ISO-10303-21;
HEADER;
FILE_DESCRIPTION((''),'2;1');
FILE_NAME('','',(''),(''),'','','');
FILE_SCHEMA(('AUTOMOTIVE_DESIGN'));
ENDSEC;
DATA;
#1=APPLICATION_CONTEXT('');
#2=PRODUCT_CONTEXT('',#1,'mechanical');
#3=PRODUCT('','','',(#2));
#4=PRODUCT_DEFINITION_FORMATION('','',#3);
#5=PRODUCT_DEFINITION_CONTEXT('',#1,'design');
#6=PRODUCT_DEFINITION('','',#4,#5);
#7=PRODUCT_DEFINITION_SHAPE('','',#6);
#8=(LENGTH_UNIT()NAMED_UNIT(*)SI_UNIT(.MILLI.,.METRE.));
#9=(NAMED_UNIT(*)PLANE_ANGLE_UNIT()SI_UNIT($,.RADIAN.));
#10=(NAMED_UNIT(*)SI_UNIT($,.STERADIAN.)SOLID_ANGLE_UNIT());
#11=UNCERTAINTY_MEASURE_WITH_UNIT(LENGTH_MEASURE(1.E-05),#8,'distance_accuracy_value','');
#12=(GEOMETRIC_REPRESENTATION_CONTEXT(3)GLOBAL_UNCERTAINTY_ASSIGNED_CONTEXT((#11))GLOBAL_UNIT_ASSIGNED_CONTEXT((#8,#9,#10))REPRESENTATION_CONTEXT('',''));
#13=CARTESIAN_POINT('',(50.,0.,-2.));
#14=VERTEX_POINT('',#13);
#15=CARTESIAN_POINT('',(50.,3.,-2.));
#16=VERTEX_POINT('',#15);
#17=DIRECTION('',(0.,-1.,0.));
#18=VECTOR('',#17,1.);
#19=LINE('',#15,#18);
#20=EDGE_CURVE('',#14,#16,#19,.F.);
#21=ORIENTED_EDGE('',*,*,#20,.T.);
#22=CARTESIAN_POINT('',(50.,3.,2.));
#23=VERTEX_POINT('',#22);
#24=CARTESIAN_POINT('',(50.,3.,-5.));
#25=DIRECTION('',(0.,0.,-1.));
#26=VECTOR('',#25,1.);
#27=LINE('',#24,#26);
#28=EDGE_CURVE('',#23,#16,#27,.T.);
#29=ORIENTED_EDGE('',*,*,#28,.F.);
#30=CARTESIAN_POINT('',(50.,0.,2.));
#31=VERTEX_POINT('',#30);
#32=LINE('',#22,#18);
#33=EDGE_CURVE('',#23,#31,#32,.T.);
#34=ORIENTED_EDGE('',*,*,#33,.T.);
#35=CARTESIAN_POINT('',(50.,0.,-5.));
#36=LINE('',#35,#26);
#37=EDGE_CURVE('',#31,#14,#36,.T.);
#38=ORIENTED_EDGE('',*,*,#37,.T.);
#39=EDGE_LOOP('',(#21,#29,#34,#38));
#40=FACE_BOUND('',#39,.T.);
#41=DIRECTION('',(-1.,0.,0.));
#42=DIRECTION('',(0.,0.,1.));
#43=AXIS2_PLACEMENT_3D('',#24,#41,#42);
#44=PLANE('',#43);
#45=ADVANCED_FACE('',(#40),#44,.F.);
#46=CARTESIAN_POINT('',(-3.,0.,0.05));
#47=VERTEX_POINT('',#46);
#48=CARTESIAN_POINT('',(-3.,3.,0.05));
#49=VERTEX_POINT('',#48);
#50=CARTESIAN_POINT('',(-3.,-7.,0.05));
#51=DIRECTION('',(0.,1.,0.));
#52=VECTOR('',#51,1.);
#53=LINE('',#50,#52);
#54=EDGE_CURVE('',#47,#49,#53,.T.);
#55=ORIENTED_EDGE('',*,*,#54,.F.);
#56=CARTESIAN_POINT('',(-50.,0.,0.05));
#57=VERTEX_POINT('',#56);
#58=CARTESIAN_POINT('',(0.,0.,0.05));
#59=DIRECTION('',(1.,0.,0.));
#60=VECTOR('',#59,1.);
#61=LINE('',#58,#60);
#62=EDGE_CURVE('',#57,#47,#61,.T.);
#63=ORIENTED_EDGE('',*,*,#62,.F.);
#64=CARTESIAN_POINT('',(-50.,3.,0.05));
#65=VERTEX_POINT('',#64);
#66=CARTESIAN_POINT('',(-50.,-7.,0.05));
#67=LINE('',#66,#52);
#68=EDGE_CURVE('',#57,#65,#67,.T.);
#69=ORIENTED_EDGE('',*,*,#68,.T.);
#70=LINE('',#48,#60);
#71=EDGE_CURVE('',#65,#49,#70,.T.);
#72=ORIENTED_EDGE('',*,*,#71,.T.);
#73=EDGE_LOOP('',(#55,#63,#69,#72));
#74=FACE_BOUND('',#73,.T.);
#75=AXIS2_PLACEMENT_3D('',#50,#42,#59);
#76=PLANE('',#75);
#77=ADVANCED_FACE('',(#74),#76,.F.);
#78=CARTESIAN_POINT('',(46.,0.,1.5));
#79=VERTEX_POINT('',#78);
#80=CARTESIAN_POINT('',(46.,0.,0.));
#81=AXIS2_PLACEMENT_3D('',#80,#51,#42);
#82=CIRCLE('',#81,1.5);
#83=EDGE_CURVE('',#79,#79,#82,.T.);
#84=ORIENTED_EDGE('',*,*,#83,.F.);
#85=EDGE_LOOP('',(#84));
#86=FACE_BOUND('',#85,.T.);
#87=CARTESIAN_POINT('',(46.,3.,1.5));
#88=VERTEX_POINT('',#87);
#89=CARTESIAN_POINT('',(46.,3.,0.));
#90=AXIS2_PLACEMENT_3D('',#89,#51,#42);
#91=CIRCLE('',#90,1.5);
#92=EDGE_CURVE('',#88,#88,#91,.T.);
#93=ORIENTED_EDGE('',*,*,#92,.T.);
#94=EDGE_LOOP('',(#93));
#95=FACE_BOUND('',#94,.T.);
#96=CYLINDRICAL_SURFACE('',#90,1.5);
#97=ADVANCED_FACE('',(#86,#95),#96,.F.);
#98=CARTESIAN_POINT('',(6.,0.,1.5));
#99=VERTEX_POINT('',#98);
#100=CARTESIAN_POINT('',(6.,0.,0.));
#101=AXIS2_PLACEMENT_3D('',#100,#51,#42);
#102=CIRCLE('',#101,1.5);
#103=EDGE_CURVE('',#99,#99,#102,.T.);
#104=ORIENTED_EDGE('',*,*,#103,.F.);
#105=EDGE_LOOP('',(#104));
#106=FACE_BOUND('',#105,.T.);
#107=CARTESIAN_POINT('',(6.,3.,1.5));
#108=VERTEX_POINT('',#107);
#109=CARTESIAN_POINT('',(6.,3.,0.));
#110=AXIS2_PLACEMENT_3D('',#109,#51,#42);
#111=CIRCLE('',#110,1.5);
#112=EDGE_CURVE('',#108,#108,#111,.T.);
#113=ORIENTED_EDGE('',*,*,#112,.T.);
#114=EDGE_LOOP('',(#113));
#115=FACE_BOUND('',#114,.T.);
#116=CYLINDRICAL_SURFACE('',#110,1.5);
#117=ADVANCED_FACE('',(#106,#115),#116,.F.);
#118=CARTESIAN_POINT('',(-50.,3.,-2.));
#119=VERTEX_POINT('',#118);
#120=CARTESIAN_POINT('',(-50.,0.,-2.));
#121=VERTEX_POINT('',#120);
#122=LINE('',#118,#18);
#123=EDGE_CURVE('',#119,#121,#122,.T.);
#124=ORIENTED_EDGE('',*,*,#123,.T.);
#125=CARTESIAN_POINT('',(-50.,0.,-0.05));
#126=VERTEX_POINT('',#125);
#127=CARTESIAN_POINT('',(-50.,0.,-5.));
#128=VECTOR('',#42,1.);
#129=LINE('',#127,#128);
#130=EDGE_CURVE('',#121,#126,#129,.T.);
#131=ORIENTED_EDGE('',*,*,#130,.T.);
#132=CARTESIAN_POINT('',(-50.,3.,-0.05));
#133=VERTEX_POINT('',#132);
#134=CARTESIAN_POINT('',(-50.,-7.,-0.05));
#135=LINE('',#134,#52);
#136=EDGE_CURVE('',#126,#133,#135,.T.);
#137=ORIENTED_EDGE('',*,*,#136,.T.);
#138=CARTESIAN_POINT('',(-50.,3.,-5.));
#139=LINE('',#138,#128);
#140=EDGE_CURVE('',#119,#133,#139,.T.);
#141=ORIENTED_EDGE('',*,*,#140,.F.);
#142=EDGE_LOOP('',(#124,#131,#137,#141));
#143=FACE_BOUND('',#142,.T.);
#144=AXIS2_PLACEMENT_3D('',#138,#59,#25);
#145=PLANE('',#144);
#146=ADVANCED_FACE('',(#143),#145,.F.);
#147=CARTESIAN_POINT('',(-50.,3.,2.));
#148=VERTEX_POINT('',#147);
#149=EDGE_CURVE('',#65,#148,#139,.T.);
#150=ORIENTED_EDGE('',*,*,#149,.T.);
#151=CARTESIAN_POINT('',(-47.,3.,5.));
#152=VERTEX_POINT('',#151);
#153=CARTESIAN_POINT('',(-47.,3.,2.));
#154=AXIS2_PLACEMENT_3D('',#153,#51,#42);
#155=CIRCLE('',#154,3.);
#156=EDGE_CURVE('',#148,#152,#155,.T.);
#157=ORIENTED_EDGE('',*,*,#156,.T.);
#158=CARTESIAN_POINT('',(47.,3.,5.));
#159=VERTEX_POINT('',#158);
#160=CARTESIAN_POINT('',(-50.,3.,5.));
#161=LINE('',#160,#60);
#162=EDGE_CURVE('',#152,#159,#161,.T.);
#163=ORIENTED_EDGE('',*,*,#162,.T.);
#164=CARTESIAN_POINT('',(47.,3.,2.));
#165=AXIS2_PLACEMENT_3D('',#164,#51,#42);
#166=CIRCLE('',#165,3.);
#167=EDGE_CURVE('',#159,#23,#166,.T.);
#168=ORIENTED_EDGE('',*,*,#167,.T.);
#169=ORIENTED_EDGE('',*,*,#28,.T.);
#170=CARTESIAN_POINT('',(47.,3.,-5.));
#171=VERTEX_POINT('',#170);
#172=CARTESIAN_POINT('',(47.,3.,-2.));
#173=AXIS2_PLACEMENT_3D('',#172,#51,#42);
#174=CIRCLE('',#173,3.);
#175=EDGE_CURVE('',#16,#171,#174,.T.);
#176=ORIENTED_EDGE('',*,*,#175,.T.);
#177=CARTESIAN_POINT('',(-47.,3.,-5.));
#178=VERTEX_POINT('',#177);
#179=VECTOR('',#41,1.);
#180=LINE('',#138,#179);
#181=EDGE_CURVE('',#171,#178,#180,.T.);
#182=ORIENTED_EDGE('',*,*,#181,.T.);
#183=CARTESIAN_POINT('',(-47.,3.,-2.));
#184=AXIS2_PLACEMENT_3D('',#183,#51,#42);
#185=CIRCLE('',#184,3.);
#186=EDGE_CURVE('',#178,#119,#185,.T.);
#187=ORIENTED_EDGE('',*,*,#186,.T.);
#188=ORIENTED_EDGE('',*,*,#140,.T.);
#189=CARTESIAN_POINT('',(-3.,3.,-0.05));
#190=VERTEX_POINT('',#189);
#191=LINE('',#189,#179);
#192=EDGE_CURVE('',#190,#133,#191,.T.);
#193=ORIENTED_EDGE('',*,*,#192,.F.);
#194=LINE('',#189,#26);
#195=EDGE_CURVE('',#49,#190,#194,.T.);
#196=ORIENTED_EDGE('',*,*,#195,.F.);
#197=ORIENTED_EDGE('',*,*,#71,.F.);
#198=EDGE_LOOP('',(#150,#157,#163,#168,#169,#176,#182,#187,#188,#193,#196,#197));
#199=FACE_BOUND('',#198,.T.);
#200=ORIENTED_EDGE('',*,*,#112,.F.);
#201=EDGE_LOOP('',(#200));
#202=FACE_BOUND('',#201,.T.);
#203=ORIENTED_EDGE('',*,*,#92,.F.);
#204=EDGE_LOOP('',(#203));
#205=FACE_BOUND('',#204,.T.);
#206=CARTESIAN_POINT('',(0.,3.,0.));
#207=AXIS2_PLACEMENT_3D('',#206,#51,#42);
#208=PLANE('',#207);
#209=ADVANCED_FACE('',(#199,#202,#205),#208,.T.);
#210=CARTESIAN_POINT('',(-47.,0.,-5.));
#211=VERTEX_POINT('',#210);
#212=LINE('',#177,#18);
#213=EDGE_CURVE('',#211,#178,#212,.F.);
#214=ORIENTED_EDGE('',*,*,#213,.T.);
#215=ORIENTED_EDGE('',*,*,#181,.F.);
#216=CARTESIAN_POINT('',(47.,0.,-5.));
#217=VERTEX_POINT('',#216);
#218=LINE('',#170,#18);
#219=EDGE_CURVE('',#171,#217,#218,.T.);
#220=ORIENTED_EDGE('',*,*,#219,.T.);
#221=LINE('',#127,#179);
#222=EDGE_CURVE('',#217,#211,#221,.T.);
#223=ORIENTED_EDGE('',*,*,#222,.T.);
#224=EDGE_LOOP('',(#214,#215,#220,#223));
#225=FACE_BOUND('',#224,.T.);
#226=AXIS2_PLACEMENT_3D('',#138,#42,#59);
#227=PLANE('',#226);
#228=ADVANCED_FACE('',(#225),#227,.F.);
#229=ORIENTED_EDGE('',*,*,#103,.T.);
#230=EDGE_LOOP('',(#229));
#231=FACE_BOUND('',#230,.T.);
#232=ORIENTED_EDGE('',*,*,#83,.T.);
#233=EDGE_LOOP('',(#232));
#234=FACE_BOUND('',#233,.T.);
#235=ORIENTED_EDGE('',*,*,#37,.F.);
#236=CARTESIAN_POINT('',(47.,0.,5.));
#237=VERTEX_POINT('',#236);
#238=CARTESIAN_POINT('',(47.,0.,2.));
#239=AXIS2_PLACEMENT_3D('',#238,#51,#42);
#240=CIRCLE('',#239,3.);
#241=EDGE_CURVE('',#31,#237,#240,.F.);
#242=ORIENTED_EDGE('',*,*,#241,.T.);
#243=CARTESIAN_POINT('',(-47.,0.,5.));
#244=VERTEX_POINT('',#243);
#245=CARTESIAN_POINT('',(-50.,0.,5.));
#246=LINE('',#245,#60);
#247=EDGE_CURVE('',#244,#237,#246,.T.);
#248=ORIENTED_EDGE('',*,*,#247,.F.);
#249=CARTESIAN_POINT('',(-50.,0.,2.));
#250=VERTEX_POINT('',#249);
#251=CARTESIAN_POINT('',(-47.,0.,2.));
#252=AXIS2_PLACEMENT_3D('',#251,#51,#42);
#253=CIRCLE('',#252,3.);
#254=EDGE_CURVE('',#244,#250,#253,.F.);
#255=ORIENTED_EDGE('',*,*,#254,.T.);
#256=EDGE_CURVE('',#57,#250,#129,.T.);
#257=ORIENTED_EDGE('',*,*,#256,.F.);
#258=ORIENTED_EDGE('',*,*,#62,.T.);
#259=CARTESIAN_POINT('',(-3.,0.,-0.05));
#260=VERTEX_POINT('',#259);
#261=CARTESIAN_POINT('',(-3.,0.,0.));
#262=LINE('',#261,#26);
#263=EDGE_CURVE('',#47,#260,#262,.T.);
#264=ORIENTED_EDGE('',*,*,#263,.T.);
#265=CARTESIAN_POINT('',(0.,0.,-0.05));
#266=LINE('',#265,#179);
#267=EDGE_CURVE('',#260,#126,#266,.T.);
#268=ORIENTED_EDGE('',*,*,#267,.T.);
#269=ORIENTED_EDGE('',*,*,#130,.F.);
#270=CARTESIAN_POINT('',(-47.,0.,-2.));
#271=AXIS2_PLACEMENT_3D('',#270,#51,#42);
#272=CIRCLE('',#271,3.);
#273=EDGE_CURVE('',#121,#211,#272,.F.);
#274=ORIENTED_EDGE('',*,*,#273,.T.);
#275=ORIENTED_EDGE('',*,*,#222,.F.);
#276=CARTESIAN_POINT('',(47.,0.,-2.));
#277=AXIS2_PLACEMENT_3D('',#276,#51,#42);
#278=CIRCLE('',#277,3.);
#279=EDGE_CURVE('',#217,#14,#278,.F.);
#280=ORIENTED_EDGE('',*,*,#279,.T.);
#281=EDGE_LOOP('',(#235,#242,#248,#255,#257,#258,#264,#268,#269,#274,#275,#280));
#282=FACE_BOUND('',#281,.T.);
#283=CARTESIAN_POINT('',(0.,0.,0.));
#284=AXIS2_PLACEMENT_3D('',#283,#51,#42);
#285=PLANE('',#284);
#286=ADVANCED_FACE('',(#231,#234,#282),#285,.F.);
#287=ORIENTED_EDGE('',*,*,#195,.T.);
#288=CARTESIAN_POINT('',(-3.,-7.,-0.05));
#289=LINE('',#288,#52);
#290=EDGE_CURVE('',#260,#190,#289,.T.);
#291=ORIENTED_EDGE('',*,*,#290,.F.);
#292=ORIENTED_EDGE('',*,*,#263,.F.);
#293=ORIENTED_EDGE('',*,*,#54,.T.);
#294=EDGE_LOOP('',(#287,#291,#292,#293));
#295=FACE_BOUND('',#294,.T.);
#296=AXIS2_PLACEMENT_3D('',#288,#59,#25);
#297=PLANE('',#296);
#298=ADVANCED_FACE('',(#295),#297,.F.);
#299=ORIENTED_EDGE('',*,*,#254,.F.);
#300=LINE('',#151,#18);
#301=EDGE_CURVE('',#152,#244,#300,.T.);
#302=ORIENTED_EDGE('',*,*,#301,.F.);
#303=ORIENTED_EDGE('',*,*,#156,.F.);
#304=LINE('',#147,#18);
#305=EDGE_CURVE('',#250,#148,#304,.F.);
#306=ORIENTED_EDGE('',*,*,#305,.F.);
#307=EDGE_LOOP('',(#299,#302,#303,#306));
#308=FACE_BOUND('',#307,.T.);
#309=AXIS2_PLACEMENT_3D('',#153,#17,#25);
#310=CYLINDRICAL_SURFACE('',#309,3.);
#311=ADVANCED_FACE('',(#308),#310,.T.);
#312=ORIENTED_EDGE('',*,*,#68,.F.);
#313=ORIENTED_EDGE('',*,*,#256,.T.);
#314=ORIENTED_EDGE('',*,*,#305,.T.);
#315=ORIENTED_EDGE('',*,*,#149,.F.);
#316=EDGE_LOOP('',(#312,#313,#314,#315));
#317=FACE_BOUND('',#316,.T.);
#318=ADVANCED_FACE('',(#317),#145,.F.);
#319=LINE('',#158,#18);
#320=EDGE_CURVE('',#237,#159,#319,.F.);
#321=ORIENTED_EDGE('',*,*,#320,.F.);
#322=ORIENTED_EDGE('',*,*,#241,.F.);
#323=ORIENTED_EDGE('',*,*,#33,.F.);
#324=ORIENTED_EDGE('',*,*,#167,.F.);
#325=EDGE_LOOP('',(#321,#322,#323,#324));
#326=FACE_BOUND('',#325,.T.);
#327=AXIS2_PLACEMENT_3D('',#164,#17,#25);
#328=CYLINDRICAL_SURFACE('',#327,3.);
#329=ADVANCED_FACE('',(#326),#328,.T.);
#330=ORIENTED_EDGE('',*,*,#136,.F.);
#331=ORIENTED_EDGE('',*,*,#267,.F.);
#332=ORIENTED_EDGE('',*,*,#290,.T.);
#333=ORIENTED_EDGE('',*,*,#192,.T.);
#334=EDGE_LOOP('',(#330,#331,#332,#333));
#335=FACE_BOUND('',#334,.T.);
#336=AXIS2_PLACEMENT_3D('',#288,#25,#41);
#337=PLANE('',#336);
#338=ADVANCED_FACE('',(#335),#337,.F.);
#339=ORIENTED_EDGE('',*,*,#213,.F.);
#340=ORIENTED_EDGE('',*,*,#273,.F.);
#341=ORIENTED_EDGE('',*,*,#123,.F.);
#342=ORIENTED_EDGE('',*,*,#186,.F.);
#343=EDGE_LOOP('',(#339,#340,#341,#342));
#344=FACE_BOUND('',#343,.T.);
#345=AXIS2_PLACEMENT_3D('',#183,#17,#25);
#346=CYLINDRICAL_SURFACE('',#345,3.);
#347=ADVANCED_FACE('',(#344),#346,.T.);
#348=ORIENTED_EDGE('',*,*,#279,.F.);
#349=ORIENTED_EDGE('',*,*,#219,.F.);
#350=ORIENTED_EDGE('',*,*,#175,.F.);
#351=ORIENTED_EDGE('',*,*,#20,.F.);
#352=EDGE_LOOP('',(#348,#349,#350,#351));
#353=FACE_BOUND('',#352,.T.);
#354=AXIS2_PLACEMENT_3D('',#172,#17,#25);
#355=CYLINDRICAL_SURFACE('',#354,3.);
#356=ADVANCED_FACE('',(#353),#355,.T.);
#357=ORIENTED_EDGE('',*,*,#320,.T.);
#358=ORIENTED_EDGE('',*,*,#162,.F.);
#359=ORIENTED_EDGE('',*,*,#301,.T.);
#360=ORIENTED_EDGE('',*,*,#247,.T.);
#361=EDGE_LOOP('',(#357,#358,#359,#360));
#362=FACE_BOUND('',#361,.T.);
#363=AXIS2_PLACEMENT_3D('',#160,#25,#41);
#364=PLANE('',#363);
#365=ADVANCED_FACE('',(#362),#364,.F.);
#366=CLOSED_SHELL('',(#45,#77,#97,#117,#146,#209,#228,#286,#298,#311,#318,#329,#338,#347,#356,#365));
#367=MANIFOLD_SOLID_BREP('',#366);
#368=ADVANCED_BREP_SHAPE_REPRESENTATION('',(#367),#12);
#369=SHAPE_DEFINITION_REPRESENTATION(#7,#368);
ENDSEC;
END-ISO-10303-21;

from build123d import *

# Parameters (mm, degrees)
SKETCH1_W             = 100
SKETCH1_H             = 10
BOSS_EXTRUDE1_DEPTH   = 3
FILLET1_R             = 3
F_3_0MM_DOWEL_HOLE1_D = 3
SKETCH2_W             = 47
SKETCH2_H             = 0.1
CUT_EXTRUDE1_DEPTH    = 10


with BuildPart() as part:
    # Sketch1 → Boss-Extrude1 (new body)
    with BuildSketch(Plane(origin=(0, 0, 0), x_dir=(1, 0, 0), z_dir=(0, 1, 0))):
        Rectangle(SKETCH1_W, SKETCH1_H)
    extrude(amount=BOSS_EXTRUDE1_DEPTH)

    # Fillet1
    fillet1_edges = [part.edges().sort_by_distance(p)[0] for p in [
        (50, 1.5, 5),
        (-50, 1.5, 5),
        (-50, 1.5, -5),
        (50, 1.5, -5),
    ]]
    fillet(fillet1_edges, radius=FILLET1_R)

    # Ø3.0mm Dowel Hole1 (through all)
    with Locations(Plane(origin=(0, 3, 0), x_dir=(1, 0, 0), z_dir=(0, 1, 0))):
        with Locations((46, 0), (6, 0)):
            Hole(F_3_0MM_DOWEL_HOLE1_D / 2)

    # Sketch2 → Cut-Extrude1 (cut)
    with BuildSketch(Plane(origin=(0, 3, 0), x_dir=(1, 0, 0), z_dir=(0, 1, 0))):
        with Locations((-26.5, 0)):
            Rectangle(SKETCH2_W, SKETCH2_H)
    extrude(amount=-CUT_EXTRUDE1_DEPTH, mode=Mode.SUBTRACT)


solid = part.part
